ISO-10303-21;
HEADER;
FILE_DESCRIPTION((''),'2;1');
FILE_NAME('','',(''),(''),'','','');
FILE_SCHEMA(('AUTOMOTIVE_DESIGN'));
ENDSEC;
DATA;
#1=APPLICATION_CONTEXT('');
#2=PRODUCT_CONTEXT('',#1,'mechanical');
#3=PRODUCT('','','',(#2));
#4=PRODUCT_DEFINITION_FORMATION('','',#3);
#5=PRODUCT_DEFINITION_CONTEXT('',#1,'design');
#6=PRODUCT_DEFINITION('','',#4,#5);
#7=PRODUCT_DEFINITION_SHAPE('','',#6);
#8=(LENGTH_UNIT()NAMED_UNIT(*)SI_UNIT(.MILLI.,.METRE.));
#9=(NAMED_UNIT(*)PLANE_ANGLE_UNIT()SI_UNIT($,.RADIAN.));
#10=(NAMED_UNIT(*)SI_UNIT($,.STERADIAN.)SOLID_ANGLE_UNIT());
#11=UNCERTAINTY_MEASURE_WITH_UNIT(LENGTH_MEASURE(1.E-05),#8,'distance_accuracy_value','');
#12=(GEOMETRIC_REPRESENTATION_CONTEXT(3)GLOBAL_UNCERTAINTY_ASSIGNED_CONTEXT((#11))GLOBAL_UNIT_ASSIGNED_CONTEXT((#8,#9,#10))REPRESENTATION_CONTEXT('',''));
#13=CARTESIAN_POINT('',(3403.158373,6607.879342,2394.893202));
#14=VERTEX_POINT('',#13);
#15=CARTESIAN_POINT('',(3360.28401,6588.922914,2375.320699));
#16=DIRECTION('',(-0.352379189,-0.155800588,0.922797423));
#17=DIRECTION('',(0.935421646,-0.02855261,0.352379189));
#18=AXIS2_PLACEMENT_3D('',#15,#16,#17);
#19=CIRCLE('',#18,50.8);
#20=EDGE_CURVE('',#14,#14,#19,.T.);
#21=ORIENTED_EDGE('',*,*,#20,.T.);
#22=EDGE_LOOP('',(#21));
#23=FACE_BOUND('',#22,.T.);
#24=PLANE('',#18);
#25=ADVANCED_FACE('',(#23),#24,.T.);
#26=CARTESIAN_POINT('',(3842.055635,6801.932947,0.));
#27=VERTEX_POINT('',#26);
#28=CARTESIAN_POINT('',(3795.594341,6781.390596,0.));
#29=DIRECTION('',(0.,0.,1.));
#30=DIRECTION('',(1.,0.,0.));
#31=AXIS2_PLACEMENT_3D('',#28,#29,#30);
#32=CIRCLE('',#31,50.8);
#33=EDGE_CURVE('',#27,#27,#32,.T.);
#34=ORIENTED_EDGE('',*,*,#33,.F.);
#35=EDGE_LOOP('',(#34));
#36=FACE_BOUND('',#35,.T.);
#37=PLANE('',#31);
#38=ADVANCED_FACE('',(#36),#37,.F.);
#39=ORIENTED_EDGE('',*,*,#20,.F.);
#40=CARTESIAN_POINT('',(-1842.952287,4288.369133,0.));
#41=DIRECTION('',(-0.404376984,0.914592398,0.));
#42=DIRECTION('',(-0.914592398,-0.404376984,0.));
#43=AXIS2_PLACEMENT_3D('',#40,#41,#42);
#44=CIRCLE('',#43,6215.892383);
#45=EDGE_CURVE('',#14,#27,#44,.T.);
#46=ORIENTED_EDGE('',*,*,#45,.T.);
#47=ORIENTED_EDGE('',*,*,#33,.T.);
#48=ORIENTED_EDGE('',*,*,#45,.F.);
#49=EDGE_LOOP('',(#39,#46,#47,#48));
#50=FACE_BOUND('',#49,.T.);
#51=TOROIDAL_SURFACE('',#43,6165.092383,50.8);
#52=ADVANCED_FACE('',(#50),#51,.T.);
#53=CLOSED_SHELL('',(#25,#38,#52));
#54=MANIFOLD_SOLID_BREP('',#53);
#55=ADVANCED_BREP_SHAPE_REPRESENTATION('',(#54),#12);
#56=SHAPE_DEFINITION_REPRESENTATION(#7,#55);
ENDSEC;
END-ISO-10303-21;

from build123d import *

# Parameters (mm, degrees)
SKETCH1_R = 50.8


with BuildPart() as part:
    # Sweep1: sweep along a path in Sketch2
    with BuildLine(Plane(origin=(-1887.371866274, 4268.729503733, 0), x_dir=(0.9145923982502304, 0.40437698384415033, 0), z_dir=(0.40437698384415033, -0.9145923982502304, 0))) as sweep1_path:
        ThreePointArc((6213.66000635, 0), (6093.498744721, 1211.268685614), (5737.698986577, 2375.320698906))
    # Sketch1 → Sweep1 (sweep)
    with BuildSketch(Plane.XY):
        with Locations((3795.594340845, 6781.390595734)):
            Circle(SKETCH1_R)
    sweep(path=sweep1_path.line)


solid = part.part
